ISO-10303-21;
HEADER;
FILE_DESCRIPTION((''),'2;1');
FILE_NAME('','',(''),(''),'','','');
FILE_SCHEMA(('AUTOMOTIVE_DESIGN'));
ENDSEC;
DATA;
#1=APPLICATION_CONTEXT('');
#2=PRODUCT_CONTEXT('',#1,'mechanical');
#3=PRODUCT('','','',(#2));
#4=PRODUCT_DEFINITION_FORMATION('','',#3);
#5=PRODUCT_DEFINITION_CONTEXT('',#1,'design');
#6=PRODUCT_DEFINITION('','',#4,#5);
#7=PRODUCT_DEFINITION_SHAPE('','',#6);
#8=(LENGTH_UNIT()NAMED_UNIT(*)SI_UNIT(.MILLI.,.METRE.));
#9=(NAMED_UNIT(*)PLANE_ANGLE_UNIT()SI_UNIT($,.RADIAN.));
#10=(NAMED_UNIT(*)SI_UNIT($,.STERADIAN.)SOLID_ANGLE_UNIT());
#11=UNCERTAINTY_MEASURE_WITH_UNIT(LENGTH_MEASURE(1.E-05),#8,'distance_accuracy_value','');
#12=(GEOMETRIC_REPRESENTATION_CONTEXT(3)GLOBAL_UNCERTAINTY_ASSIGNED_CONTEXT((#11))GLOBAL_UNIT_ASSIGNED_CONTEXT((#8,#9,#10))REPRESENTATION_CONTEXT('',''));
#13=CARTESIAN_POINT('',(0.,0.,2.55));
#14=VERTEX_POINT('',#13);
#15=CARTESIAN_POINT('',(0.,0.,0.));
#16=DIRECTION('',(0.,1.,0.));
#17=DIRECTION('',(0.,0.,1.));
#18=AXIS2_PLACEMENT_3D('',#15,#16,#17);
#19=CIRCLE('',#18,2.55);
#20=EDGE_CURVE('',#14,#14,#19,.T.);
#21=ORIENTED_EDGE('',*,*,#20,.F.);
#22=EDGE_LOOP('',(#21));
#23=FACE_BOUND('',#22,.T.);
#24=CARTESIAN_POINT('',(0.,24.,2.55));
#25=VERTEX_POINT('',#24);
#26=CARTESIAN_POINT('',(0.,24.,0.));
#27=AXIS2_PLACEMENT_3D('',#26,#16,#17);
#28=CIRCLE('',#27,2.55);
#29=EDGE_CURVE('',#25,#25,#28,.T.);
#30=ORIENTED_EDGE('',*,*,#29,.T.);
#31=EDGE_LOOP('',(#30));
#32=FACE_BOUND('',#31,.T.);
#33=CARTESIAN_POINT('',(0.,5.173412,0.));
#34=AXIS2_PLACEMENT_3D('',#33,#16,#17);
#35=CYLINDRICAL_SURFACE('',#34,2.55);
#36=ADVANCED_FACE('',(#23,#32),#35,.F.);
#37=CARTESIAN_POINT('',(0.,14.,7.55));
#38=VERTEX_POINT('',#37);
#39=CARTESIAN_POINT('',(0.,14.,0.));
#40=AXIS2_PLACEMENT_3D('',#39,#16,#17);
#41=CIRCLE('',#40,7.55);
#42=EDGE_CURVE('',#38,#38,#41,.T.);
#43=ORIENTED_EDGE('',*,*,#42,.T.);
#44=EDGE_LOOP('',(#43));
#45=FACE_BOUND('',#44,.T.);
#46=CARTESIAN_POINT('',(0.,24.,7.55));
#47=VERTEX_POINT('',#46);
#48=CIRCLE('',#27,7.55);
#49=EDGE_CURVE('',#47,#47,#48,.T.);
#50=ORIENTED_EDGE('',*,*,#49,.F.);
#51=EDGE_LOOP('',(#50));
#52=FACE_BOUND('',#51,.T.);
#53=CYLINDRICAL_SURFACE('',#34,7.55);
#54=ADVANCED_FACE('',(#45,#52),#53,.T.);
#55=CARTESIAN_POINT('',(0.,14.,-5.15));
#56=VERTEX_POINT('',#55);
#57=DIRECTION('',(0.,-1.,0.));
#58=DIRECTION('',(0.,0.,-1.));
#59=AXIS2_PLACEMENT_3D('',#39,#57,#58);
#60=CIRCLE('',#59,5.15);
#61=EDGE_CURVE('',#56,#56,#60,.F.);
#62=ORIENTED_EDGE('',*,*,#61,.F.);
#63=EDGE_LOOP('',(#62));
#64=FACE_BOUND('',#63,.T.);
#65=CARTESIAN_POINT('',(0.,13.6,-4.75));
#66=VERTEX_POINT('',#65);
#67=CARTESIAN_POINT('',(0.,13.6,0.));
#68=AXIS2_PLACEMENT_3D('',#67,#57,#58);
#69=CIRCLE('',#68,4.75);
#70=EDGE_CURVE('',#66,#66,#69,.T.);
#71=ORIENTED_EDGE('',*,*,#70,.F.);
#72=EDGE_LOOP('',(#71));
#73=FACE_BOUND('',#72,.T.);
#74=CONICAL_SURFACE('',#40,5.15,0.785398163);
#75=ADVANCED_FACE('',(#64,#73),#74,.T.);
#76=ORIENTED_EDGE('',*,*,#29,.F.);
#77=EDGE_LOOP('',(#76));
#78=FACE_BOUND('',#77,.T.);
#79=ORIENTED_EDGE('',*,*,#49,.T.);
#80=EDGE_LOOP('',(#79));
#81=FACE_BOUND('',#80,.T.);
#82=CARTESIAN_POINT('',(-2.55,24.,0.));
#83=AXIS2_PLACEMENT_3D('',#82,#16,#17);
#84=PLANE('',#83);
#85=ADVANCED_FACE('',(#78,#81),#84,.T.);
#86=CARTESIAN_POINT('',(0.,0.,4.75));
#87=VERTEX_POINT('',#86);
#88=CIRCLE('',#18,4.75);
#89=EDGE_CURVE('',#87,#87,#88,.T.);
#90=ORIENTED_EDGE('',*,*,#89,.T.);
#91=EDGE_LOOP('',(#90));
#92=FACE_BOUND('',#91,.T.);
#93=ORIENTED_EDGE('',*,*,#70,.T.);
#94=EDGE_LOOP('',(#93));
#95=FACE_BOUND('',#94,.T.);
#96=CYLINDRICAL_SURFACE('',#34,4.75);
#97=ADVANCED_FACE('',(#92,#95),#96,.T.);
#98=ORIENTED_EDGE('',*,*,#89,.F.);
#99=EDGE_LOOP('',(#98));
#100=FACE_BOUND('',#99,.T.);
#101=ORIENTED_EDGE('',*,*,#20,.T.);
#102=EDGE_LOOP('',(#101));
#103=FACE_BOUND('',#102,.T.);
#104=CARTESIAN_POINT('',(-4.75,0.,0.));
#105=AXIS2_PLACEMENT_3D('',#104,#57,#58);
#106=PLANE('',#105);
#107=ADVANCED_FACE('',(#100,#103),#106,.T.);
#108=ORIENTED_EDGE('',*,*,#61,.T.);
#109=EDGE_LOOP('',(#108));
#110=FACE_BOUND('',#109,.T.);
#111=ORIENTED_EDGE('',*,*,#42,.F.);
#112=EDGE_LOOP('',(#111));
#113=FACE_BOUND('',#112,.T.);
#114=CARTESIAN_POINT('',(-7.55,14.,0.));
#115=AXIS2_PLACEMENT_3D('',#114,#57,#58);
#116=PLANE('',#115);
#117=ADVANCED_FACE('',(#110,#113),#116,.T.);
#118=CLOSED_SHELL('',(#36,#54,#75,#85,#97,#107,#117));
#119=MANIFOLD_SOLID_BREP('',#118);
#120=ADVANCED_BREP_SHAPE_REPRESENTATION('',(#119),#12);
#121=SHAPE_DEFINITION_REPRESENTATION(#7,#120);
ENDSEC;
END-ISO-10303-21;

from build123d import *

# Parameters (mm, degrees)
CHAMFER1_SIZE = 0.4


with BuildPart() as part:
    # Sketch1 → Revolve1 (revolve)
    with BuildSketch(Plane.XY, mode=Mode.PRIVATE) as revolve1_sk:
        Polygon((-2.55, 0), (-2.55, 24), (-7.55, 24), (-7.55, 14), (-4.75, 14), (-4.75, 0), align=None)
    revolve(revolve1_sk.sketch.rotate(Axis((0, 5.173411558, 0), (0, -1, 0)), 270), axis=Axis((0, 5.173411558, 0), (0, -1, 0)))

    # Chamfer1
    chamfer1_edges = [part.edges().sort_by_distance(p)[0] for p in [
        (0, 14, -4.75),
    ]]
    chamfer(chamfer1_edges, length=CHAMFER1_SIZE)


solid = part.part
